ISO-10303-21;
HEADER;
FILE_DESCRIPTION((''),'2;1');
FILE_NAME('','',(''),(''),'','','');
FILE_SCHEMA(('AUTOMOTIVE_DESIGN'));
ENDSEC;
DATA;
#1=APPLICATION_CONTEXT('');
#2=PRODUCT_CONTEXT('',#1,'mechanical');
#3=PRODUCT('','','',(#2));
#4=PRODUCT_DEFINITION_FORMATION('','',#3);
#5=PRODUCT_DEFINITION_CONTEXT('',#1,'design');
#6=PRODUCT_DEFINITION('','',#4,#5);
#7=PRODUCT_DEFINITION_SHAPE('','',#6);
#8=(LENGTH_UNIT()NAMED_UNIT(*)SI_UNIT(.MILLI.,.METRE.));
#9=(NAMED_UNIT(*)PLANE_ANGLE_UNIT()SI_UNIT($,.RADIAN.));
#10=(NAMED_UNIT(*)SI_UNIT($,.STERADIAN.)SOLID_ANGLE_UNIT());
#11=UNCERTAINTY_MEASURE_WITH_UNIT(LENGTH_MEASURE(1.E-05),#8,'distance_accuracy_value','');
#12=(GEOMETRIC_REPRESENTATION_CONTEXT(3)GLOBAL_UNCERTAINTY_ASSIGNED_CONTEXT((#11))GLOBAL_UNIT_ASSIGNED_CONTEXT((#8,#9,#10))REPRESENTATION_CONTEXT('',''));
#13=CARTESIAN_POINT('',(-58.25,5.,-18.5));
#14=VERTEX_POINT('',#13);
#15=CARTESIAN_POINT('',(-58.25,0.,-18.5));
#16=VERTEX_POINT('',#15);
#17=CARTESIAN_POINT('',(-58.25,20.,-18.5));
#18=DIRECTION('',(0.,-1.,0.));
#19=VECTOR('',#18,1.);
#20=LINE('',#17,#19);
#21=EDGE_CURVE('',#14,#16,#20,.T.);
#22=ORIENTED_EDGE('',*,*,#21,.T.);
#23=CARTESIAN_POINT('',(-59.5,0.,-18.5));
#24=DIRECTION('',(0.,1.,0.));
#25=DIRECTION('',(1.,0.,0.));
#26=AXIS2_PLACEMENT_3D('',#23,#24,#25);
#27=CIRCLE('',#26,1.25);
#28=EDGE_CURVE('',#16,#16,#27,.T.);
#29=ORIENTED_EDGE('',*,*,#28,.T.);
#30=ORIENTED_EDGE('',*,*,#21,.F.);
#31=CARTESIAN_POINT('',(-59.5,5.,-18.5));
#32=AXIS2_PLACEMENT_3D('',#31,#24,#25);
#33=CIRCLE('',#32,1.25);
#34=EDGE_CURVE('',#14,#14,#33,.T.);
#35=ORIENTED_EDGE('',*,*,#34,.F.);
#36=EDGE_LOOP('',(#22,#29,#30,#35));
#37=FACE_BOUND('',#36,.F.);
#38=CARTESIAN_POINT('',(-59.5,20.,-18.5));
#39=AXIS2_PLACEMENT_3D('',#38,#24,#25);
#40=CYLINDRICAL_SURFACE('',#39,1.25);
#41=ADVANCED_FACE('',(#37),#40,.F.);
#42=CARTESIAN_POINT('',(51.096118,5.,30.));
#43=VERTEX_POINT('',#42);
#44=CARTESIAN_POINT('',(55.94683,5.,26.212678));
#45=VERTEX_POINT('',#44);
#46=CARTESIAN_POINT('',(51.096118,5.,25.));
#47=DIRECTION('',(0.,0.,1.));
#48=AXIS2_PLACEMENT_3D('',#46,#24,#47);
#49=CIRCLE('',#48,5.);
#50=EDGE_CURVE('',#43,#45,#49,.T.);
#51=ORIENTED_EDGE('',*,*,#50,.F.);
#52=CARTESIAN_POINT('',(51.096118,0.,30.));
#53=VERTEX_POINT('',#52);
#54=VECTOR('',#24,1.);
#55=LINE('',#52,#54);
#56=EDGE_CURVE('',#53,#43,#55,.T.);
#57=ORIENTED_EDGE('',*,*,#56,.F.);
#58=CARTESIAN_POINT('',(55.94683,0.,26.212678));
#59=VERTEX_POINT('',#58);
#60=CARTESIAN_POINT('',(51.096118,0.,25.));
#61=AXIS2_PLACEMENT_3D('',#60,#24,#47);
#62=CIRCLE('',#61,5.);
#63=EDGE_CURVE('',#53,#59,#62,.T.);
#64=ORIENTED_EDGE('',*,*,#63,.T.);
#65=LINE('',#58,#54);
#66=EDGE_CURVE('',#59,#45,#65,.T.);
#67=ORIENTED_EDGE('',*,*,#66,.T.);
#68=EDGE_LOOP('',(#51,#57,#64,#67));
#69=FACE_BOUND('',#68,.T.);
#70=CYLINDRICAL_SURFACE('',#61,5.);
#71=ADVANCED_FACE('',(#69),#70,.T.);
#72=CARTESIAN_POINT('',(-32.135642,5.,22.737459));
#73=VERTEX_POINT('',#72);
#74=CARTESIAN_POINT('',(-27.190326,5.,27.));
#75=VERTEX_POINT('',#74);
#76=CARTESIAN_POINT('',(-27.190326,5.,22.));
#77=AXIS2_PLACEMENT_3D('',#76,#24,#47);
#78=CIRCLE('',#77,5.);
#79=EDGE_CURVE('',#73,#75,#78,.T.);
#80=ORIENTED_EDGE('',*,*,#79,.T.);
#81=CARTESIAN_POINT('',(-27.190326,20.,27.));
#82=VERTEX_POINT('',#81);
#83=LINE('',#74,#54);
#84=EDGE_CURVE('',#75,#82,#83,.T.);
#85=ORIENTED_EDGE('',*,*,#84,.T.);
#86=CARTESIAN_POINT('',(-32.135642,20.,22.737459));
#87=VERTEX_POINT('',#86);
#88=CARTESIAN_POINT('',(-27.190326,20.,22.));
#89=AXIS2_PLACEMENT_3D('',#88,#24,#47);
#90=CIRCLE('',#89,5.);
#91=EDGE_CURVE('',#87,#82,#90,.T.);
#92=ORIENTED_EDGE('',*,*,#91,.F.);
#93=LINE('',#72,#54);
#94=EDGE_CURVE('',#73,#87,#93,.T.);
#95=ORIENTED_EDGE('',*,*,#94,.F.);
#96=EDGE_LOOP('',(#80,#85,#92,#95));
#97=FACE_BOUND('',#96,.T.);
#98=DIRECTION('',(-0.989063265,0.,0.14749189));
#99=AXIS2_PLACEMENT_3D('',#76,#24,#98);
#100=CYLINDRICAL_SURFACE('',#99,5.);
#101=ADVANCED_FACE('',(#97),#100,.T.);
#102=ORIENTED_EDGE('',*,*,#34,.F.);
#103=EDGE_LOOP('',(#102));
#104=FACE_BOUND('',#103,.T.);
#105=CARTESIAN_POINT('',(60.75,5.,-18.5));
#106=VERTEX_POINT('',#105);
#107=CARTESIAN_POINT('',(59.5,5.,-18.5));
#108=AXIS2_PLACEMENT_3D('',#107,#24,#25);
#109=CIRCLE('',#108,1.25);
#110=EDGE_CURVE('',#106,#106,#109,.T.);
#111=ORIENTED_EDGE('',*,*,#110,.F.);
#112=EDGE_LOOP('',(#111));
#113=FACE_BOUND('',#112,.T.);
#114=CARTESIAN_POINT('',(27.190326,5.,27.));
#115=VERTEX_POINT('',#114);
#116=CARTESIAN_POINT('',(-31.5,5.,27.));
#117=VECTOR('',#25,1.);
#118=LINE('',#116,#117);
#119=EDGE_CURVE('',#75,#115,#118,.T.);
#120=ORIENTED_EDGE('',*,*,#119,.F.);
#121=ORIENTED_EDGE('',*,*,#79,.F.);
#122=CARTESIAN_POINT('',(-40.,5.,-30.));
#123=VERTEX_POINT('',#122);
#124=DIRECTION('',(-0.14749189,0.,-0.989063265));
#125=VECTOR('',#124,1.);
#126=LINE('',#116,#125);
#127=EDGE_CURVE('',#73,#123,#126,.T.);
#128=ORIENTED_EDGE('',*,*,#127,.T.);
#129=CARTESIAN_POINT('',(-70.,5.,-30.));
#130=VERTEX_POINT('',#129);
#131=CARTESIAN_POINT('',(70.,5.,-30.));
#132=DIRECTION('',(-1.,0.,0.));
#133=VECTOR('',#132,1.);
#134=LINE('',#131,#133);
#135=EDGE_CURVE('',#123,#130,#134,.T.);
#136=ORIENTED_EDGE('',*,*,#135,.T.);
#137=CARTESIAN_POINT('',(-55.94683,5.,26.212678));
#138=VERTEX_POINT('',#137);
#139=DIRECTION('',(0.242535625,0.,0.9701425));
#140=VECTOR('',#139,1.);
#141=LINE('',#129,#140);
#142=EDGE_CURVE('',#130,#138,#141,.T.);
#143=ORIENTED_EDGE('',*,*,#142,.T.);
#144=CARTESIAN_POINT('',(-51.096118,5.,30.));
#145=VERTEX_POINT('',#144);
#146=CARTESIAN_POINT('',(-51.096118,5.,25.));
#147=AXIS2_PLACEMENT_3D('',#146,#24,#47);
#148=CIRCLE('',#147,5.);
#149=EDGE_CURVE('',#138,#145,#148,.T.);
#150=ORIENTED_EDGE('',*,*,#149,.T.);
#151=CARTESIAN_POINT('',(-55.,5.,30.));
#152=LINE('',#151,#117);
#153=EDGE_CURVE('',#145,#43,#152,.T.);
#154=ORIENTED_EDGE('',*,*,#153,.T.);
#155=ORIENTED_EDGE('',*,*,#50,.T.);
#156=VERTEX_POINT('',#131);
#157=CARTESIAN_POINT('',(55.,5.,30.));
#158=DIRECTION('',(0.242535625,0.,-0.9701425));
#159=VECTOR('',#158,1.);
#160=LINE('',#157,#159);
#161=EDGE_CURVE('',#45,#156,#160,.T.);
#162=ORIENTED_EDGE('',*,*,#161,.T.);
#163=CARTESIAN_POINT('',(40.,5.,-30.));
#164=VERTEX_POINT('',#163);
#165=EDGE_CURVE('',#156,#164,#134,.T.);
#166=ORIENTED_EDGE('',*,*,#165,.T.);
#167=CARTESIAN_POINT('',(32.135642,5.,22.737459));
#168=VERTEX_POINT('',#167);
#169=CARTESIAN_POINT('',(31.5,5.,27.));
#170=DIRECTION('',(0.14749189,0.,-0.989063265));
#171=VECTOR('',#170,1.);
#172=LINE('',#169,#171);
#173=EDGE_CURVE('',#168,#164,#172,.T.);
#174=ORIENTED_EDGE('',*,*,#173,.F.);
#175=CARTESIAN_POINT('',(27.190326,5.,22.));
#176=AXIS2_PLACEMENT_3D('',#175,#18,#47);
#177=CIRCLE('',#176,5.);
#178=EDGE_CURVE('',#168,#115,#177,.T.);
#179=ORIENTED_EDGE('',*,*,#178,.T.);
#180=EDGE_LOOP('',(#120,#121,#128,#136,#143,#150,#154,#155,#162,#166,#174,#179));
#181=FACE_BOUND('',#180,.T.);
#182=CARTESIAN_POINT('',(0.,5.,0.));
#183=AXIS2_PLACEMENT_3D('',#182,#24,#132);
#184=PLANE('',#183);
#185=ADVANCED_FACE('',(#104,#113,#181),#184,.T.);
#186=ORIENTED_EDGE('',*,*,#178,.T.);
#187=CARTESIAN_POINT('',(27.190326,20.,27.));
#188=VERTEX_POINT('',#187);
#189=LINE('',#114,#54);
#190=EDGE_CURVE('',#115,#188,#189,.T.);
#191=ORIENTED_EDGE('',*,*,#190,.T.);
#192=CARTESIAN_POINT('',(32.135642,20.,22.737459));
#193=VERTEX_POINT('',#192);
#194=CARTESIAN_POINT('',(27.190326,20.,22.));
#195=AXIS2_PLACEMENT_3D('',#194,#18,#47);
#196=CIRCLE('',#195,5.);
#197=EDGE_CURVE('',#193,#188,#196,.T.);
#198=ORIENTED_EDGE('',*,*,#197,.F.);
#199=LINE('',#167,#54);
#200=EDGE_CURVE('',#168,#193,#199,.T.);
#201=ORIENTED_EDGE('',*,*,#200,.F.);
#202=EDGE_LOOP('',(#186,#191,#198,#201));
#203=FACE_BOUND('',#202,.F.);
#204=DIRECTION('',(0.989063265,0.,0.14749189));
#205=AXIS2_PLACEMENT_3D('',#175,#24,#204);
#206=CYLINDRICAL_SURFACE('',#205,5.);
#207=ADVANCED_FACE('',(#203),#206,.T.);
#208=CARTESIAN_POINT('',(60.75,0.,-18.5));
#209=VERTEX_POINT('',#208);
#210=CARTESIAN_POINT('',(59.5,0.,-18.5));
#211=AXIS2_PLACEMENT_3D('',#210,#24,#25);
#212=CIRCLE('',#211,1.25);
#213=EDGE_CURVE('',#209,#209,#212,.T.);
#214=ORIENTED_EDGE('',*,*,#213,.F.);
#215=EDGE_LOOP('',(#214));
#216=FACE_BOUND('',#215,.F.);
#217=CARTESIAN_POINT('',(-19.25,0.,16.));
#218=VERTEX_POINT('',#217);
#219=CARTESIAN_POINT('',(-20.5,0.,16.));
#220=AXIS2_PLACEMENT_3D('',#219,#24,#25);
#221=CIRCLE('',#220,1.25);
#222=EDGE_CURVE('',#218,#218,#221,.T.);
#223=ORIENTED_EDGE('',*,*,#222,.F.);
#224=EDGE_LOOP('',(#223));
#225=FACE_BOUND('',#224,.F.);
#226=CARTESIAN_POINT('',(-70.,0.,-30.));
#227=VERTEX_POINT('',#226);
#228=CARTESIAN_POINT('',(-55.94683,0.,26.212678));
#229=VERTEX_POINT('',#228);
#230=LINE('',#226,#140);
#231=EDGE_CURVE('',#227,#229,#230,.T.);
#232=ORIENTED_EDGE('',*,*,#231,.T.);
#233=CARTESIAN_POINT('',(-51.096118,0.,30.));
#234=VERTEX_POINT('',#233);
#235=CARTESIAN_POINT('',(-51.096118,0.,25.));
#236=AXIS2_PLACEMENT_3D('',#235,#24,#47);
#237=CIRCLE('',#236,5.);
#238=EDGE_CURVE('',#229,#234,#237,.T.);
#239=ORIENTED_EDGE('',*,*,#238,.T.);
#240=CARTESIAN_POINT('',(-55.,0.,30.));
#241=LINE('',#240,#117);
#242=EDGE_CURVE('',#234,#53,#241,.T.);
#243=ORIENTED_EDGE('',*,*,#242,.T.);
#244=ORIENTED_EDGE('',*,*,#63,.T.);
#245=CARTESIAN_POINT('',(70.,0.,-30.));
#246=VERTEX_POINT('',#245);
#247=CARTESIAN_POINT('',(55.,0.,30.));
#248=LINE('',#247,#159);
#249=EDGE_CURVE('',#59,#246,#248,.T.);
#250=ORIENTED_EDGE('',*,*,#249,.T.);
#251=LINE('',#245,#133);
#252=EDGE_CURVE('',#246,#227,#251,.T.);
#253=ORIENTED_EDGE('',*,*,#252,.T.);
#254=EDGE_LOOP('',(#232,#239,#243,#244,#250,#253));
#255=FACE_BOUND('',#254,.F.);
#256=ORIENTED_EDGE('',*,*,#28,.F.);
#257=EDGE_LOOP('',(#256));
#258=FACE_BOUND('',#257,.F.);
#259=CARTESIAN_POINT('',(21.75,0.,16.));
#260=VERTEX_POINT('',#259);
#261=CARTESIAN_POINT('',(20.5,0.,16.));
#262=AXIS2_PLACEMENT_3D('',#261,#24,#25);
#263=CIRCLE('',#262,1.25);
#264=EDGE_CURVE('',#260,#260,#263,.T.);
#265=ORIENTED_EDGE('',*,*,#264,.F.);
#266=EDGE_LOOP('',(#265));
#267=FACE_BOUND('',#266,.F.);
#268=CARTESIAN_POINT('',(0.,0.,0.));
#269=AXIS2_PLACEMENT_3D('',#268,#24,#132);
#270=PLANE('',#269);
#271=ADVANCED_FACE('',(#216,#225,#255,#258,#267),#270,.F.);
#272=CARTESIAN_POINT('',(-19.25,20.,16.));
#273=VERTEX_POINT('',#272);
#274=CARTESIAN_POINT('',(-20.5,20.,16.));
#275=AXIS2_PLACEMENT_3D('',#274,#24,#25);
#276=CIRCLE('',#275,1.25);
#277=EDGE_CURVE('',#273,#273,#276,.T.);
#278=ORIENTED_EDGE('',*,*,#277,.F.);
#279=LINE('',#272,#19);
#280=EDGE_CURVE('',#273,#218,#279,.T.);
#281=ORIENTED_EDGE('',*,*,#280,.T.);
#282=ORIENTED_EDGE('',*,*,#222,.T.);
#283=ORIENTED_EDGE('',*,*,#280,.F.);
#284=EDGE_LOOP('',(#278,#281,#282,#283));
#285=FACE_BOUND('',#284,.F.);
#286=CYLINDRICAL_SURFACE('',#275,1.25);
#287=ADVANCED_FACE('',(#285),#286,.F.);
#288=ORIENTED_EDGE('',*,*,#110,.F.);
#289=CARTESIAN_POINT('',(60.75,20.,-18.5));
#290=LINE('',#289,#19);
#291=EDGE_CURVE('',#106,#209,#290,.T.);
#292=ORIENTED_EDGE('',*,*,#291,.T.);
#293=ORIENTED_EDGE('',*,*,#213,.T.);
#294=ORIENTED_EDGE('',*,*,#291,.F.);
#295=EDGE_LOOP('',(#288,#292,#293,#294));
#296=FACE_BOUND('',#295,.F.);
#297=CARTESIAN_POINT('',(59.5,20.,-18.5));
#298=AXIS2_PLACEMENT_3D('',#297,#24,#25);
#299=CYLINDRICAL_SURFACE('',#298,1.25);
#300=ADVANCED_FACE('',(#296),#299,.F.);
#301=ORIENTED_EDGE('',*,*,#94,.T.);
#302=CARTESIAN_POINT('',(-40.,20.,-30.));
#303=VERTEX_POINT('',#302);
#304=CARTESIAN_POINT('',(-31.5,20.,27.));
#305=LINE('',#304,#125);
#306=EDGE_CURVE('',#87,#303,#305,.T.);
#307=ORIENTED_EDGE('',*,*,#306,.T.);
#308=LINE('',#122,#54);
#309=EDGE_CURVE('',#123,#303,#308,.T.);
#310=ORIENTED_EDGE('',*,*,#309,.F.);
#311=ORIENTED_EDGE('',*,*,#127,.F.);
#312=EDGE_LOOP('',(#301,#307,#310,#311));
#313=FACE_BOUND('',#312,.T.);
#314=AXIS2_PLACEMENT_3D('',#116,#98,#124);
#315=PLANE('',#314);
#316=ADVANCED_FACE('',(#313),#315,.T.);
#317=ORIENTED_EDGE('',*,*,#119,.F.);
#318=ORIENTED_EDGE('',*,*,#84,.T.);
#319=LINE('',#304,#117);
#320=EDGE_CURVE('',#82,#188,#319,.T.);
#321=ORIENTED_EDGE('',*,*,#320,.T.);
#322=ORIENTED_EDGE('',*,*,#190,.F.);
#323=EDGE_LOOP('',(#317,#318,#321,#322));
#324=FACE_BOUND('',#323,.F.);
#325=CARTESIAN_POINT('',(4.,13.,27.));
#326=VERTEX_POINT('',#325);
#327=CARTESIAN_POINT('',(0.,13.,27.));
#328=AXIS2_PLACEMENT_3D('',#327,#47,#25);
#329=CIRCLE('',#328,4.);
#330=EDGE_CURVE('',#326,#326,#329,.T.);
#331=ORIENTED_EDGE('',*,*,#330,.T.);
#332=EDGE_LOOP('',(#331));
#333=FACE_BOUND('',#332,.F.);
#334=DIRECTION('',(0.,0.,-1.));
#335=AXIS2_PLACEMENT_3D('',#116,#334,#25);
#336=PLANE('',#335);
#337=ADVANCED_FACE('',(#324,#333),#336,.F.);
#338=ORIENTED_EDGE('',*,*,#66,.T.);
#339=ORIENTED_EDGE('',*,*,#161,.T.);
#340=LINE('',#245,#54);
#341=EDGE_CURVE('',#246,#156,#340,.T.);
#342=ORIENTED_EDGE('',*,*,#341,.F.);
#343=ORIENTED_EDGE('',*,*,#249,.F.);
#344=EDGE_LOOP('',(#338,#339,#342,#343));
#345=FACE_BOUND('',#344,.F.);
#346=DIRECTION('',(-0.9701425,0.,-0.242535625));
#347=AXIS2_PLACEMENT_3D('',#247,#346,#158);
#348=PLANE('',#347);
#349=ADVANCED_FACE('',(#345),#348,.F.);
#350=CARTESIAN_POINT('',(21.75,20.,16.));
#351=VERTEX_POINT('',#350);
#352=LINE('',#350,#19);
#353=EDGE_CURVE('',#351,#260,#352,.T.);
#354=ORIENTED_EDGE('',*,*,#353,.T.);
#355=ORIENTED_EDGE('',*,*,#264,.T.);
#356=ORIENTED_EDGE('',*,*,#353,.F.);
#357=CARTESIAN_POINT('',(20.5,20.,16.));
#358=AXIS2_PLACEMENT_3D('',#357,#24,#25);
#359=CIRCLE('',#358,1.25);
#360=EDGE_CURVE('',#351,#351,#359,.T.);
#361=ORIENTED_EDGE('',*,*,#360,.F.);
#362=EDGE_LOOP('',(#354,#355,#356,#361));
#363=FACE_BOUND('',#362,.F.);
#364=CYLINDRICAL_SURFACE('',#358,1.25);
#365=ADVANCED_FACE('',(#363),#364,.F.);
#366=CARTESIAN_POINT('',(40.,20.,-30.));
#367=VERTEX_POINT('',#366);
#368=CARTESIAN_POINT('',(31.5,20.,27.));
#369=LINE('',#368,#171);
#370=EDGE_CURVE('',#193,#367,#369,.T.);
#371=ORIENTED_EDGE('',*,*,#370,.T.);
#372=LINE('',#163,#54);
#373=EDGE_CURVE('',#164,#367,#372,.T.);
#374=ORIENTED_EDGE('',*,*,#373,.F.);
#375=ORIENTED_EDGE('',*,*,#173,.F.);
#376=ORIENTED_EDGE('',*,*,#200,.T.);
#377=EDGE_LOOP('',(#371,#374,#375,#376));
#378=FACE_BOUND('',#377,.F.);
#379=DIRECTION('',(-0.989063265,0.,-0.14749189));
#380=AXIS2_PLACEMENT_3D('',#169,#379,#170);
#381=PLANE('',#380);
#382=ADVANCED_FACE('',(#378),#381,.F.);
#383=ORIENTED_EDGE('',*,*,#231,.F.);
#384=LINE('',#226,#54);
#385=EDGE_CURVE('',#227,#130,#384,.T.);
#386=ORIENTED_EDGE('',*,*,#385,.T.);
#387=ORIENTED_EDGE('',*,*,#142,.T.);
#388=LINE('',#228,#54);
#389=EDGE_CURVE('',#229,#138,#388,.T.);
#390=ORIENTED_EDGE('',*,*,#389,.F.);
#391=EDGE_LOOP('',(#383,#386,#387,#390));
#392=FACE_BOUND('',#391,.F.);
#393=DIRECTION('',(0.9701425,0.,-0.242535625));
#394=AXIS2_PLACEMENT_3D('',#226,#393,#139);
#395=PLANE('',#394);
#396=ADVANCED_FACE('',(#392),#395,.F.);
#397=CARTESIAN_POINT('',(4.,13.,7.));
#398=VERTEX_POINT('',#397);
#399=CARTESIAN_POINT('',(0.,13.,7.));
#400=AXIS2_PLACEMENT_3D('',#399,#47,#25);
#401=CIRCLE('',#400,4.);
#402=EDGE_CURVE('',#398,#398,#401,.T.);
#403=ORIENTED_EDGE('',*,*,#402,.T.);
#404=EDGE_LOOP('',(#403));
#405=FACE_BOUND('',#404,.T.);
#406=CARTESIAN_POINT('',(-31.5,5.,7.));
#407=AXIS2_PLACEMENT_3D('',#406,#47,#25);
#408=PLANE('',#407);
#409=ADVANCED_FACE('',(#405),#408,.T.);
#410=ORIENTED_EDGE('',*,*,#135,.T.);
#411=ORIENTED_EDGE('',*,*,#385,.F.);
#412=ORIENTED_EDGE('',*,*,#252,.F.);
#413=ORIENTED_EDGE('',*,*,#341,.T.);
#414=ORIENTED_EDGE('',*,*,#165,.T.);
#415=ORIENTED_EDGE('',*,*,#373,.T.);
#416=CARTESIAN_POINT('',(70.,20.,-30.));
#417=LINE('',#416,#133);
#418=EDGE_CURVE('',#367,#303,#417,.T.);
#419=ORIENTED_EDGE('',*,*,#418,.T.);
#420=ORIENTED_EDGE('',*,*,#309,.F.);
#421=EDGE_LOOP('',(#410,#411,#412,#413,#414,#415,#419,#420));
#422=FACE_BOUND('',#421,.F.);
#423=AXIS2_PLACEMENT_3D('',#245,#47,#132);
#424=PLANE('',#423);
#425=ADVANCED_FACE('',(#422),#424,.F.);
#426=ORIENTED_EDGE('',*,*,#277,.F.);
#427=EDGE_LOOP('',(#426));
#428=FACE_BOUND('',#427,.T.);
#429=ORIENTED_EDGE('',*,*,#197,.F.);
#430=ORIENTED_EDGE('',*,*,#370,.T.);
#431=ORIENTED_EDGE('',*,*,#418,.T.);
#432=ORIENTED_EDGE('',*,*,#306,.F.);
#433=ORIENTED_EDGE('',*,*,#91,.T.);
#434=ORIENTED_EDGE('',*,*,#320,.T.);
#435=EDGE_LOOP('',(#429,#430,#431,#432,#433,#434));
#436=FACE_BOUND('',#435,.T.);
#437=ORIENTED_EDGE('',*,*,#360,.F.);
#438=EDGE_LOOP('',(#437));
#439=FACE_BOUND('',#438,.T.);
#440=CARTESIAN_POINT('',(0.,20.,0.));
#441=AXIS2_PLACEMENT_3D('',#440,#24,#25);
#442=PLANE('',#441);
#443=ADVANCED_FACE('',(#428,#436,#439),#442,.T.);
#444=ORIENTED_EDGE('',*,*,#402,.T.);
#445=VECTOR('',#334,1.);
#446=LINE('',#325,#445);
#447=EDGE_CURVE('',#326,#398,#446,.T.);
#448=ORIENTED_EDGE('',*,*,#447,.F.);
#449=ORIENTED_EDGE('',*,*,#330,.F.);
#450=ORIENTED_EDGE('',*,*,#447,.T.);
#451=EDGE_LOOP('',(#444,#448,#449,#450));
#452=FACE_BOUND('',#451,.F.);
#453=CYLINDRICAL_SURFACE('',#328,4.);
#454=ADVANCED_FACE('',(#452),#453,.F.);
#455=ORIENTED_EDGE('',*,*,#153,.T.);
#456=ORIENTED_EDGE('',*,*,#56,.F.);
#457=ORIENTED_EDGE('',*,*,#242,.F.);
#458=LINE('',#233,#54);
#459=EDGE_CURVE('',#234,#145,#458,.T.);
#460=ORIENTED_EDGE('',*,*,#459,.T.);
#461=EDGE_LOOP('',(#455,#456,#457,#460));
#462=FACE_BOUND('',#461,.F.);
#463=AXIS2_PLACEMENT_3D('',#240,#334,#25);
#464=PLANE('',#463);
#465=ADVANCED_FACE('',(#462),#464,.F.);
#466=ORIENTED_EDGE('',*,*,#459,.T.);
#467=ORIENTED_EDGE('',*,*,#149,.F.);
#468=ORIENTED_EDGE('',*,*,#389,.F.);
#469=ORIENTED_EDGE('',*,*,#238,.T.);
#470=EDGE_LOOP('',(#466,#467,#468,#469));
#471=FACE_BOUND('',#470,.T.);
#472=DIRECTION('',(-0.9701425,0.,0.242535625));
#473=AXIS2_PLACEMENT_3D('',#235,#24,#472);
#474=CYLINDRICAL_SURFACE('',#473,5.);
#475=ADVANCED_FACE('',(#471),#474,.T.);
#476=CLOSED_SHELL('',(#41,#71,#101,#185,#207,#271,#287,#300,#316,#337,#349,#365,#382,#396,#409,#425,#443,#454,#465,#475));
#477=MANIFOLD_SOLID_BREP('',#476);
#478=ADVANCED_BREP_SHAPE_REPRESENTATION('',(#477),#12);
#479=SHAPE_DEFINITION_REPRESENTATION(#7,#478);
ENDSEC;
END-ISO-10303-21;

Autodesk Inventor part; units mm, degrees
ref_plane "YZ Plane" through (0, 0, 0) normal (1, 0, 0) x (0, 1, 0)
ref_plane "XZ Plane" through (0, 0, 0) normal (0, 1, 0) x (-1, 0, 0)
ref_plane "XY Plane" through (0, 0, 0) normal (0, 0, 1) x (1, 0, 0)
sketch "Esquisse1" plane through (0, 0, 0) normal (0, 1, 0) x (-1, 0, 0)
  line L0 (55, 30) -> (-55, 30)
  line L1 (-55, 30) -> (-70, -30)
  line L2 (-70, -30) -> (70, -30)
  line L3 (70, -30) -> (55, 30)
  point P0 (0, 0)
  dimension "d0" = 140
  dimension "d1" = 110
  dimension "d2" = 60
  dimension "d3" = 70
  dimension "d4" = 55
  dimension "d5" = 30
extrude "Extrusion1" add sketch "Esquisse1" along normal blind 5
sketch "Esquisse2" plane through (0, 5, 0) normal (0, 1, 0) x (1, 0, 0)
  line L0 (-31.5, -27) -> (31.5, -27)
  line L1 (31.5, -27) -> (40, 30)
  line L2 (70, 30) -> (-70, 30) projected
  line L3 (-31.5, -27) -> (-40, 30)
  line L4 (40, 30) -> (-40, 30)
  line L5 (-55, -30) -> (55, -30) projected
  point P0 (0, 0)
  dimension "d8" = 80
  dimension "d9" = 63
  dimension "d10" = 31.5
  dimension "d11" = 40
  dimension "d12" = 3
extrude "Extrusion2" add sketch "Esquisse2" along normal blind 15
sketch "Esquisse3" plane through (-31.5, 5, 27) normal (0, 0, 1) x (1, 0, 0)
  circle A0 centre (31.5, 8) radius 4
  line L0 (0, 0) -> (0, 15) projected
  line L1 (63, 0) -> (63, 15) projected
  line L2 (71.5, 15) -> (-8.5, 15) projected
  point P0 (31.5, -5)
  dimension "d15" = 31.5
  dimension "d16" = 63
  dimension "d17" = 7
  dimension "d18" = 8
extrude "Extrusion3" cut sketch "Esquisse3" against normal blind 20
fillet "Congé1" radius 5 4 edges at (31.5, 12.5, 27) (-31.5, 12.5, 27) (55, 2.5, 30) (-55, 2.5, 30)
sketch "Esquisse5" plane through (0, 20, 0) normal (0, 1, 0) x (1, 0, 0)
  circle A0 centre (-59.5, 18.5) radius 1.25
  circle A1 centre (59.5, 18.5) radius 1.25
  circle A2 centre (20.5, -16) radius 1.25
  circle A3 centre (-20.5, -16) radius 1.25
  line L0 (-40, 30) -> (-70, 30) projected
  line L1 (70, 30) -> (40, 30) projected
  point P0 (0, 0)
  dimension "d22" = 2.5
  dimension "d23" = 2.5
  dimension "d24" = 2.5
  dimension "d25" = 2.5
  dimension "d26" = 119
  dimension "d27" = 41
  dimension "d28" = 59.5
  dimension "d30" = 20.5
  dimension "d31" = 34.5
  dimension "d32" = 11.5
  dimension "d33" = 11.5
  dimension "d34" = 34.5
extrude "Extrusion4" cut sketch "Esquisse5" against normal through all
equation "\"d3\" = 0.5 * d0"
equation "\"d4\" = 0.5 * d1"
equation "\"d5\" = 0.5 * d2"
equation "\"d10\" = 0.5 * d9"
equation "\"d11\" = 0.5 * d8"
equation "\"d15\" = 0.5 * d16"
equation "\"d23\" = d22"
equation "\"d24\" = d22"
equation "\"d25\" = d22"
equation "\"d28\" = 0.5 * d26"
equation "\"d30\" = 0.5 * d27"
equation "\"d33\" = d32"
equation "\"d34\" = d31"
properties part number "Pont_arriere" material "Bois (Cerisier)"
